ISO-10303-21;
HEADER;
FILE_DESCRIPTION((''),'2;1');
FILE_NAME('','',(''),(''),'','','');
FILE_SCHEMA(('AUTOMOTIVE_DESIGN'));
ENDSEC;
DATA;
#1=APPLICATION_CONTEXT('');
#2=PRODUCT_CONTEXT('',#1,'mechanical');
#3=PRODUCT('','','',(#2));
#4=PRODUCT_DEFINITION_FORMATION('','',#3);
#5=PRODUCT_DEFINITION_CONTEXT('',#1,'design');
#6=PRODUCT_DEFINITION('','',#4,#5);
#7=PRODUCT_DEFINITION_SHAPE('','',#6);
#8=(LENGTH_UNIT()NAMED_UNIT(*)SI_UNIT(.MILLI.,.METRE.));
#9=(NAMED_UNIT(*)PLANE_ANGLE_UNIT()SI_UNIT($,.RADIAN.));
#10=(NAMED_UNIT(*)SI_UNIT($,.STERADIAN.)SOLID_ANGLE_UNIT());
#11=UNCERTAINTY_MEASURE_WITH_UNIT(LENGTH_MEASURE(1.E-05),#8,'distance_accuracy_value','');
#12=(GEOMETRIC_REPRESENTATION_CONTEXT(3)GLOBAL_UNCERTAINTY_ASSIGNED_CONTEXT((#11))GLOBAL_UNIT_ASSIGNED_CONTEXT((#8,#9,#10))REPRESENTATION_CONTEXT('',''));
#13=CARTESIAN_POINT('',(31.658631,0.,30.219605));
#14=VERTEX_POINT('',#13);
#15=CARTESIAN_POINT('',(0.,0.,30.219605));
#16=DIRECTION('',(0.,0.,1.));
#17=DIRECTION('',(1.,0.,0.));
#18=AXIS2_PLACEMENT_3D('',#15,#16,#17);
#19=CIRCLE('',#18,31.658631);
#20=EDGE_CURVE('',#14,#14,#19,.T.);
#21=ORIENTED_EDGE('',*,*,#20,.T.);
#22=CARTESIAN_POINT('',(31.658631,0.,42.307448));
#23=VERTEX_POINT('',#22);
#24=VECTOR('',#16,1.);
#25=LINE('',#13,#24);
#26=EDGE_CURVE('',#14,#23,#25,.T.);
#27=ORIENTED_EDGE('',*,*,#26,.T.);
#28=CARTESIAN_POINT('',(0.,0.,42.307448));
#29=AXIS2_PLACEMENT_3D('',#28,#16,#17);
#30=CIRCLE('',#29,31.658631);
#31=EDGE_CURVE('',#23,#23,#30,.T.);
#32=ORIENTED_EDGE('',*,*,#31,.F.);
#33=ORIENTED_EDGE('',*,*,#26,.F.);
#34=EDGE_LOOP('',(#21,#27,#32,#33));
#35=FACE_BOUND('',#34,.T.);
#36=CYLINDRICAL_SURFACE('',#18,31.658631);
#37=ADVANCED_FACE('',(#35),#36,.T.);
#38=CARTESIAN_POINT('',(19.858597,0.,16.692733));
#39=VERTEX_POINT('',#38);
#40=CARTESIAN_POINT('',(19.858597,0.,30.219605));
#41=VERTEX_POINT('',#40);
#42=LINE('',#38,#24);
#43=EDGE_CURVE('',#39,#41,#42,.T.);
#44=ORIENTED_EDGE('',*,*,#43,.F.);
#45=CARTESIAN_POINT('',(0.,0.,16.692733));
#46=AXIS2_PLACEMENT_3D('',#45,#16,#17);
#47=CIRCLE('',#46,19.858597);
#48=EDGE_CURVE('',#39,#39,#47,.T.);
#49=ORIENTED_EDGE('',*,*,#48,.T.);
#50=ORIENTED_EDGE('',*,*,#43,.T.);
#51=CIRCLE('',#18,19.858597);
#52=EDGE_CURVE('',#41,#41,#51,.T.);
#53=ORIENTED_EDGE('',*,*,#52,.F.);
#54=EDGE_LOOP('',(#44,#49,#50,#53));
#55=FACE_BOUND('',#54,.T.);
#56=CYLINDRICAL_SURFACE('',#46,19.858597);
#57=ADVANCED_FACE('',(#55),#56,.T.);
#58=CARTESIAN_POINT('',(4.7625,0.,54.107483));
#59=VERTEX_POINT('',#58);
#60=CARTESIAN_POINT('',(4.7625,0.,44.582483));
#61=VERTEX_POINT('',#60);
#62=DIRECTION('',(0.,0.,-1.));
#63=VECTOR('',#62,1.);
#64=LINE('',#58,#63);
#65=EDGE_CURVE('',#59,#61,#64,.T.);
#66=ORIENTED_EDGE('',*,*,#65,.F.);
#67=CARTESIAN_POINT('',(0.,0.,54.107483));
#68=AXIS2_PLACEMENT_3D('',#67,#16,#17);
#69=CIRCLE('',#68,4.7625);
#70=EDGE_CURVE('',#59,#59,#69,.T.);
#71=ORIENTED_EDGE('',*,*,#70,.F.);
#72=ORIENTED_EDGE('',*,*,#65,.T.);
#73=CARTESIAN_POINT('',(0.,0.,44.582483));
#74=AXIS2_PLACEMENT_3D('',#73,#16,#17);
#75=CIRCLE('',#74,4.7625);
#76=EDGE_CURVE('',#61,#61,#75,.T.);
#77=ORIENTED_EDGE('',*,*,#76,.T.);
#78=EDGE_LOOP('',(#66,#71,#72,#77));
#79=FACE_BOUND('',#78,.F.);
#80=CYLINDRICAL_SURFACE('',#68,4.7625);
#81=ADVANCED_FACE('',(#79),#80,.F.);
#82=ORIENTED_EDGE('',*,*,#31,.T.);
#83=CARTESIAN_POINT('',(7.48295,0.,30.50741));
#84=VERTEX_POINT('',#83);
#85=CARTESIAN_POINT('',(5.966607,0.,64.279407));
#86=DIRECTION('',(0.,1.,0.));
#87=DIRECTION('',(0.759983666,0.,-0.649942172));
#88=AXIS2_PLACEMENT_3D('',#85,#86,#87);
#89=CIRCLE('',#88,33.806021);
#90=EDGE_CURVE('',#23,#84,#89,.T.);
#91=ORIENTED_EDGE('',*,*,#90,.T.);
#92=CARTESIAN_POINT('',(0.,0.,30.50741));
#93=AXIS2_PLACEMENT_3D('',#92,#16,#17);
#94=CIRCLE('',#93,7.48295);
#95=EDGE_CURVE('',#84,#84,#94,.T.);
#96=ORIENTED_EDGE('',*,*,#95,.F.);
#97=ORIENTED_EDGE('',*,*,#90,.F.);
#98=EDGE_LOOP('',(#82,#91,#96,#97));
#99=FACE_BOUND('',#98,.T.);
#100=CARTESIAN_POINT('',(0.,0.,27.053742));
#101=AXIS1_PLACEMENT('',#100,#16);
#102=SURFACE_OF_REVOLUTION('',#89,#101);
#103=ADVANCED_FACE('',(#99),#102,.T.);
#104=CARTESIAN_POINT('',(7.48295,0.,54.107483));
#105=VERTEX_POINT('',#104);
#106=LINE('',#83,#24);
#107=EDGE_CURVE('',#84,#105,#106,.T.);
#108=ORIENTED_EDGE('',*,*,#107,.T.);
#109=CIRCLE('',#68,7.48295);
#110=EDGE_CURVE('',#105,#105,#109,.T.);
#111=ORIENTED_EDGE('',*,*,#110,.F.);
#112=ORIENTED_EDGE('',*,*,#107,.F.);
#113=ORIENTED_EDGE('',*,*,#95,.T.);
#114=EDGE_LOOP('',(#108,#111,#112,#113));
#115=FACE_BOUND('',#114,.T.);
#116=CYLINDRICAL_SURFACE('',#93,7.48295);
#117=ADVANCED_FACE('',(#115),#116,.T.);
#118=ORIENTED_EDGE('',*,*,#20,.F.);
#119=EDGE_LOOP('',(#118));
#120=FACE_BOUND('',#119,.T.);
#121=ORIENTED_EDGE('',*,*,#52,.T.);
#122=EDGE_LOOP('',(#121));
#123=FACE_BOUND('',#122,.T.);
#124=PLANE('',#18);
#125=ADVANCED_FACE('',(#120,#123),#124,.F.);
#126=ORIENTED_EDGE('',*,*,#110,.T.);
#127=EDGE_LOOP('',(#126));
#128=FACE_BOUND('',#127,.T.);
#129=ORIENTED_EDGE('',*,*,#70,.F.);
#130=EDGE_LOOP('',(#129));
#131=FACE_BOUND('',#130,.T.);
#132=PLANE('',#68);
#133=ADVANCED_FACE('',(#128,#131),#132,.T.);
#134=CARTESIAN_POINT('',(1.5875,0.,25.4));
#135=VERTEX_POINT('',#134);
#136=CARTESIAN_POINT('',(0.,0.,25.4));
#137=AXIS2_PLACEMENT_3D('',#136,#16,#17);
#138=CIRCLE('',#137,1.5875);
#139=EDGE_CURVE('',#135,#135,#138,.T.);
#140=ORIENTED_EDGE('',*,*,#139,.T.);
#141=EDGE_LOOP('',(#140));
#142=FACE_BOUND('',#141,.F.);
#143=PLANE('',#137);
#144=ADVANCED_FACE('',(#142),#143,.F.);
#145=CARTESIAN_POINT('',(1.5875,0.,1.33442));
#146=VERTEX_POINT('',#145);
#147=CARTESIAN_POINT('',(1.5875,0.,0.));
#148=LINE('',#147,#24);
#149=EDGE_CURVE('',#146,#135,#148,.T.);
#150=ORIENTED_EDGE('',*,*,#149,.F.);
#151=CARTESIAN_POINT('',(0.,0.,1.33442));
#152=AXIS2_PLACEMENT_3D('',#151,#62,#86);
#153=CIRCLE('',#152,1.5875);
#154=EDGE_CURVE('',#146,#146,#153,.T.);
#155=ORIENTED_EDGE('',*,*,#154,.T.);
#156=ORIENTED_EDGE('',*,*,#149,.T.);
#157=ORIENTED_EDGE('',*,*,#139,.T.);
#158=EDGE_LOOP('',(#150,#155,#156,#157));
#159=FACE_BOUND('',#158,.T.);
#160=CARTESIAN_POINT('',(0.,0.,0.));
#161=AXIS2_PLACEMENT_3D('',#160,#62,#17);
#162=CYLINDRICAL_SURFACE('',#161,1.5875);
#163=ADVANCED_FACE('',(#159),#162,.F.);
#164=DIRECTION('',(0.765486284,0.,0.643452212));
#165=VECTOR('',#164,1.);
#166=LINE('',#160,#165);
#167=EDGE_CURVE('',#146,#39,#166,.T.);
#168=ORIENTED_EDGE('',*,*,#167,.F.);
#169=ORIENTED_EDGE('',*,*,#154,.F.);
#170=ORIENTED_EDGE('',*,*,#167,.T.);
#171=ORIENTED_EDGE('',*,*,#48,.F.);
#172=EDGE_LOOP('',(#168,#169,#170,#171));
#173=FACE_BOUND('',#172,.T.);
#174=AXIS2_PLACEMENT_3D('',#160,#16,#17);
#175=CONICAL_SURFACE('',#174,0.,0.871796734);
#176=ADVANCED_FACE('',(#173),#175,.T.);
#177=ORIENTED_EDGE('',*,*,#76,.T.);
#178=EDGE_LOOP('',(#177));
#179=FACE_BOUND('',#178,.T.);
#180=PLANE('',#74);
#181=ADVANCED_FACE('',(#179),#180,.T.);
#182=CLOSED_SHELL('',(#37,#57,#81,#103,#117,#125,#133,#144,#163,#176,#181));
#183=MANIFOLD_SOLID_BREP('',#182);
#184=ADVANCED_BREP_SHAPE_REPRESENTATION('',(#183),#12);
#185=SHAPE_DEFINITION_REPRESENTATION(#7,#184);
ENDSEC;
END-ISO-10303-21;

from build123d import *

# Parameters (mm, degrees)
F2_R     = 4.7625
F3_DEPTH = 9.525
F4_R     = 1.5875
F5_DEPTH = 25.4


with BuildPart() as f1:
    # F0 (on Front) → F1 (revolve)
    with BuildSketch(Plane.XZ):
        with BuildLine():
            Line((0, 54.107483), (0, 0))
            Line((0, 0), (19.858597, 16.692733))
            Line((19.858597, 16.692733), (19.858597, 30.219605))
            Line((19.858597, 30.219605), (31.658631, 30.219605))
            Line((31.658631, 30.219605), (31.658631, 42.307448))
            ThreePointArc((31.658631, 42.307448), (20.795094, 33.8991), (7.48295, 30.50741))
            Line((7.48295, 30.50741), (7.48295, 54.107483))
            Line((7.48295, 54.107483), (0, 54.107483))
        make_face()
    revolve(axis=Axis((0, 0, 27.053742), (0, 0, 1)))

    # F2 (on face) → F3 (cut)
    with BuildSketch(Plane.XY.offset(54.107483)):
        Circle(F2_R)
    extrude(amount=-F3_DEPTH, mode=Mode.SUBTRACT)

    # F4 (on Top) → F5 (cut)
    with BuildSketch(Plane.XY):
        Circle(F4_R)
    extrude(amount=F5_DEPTH, mode=Mode.SUBTRACT)


solid = f1.part
